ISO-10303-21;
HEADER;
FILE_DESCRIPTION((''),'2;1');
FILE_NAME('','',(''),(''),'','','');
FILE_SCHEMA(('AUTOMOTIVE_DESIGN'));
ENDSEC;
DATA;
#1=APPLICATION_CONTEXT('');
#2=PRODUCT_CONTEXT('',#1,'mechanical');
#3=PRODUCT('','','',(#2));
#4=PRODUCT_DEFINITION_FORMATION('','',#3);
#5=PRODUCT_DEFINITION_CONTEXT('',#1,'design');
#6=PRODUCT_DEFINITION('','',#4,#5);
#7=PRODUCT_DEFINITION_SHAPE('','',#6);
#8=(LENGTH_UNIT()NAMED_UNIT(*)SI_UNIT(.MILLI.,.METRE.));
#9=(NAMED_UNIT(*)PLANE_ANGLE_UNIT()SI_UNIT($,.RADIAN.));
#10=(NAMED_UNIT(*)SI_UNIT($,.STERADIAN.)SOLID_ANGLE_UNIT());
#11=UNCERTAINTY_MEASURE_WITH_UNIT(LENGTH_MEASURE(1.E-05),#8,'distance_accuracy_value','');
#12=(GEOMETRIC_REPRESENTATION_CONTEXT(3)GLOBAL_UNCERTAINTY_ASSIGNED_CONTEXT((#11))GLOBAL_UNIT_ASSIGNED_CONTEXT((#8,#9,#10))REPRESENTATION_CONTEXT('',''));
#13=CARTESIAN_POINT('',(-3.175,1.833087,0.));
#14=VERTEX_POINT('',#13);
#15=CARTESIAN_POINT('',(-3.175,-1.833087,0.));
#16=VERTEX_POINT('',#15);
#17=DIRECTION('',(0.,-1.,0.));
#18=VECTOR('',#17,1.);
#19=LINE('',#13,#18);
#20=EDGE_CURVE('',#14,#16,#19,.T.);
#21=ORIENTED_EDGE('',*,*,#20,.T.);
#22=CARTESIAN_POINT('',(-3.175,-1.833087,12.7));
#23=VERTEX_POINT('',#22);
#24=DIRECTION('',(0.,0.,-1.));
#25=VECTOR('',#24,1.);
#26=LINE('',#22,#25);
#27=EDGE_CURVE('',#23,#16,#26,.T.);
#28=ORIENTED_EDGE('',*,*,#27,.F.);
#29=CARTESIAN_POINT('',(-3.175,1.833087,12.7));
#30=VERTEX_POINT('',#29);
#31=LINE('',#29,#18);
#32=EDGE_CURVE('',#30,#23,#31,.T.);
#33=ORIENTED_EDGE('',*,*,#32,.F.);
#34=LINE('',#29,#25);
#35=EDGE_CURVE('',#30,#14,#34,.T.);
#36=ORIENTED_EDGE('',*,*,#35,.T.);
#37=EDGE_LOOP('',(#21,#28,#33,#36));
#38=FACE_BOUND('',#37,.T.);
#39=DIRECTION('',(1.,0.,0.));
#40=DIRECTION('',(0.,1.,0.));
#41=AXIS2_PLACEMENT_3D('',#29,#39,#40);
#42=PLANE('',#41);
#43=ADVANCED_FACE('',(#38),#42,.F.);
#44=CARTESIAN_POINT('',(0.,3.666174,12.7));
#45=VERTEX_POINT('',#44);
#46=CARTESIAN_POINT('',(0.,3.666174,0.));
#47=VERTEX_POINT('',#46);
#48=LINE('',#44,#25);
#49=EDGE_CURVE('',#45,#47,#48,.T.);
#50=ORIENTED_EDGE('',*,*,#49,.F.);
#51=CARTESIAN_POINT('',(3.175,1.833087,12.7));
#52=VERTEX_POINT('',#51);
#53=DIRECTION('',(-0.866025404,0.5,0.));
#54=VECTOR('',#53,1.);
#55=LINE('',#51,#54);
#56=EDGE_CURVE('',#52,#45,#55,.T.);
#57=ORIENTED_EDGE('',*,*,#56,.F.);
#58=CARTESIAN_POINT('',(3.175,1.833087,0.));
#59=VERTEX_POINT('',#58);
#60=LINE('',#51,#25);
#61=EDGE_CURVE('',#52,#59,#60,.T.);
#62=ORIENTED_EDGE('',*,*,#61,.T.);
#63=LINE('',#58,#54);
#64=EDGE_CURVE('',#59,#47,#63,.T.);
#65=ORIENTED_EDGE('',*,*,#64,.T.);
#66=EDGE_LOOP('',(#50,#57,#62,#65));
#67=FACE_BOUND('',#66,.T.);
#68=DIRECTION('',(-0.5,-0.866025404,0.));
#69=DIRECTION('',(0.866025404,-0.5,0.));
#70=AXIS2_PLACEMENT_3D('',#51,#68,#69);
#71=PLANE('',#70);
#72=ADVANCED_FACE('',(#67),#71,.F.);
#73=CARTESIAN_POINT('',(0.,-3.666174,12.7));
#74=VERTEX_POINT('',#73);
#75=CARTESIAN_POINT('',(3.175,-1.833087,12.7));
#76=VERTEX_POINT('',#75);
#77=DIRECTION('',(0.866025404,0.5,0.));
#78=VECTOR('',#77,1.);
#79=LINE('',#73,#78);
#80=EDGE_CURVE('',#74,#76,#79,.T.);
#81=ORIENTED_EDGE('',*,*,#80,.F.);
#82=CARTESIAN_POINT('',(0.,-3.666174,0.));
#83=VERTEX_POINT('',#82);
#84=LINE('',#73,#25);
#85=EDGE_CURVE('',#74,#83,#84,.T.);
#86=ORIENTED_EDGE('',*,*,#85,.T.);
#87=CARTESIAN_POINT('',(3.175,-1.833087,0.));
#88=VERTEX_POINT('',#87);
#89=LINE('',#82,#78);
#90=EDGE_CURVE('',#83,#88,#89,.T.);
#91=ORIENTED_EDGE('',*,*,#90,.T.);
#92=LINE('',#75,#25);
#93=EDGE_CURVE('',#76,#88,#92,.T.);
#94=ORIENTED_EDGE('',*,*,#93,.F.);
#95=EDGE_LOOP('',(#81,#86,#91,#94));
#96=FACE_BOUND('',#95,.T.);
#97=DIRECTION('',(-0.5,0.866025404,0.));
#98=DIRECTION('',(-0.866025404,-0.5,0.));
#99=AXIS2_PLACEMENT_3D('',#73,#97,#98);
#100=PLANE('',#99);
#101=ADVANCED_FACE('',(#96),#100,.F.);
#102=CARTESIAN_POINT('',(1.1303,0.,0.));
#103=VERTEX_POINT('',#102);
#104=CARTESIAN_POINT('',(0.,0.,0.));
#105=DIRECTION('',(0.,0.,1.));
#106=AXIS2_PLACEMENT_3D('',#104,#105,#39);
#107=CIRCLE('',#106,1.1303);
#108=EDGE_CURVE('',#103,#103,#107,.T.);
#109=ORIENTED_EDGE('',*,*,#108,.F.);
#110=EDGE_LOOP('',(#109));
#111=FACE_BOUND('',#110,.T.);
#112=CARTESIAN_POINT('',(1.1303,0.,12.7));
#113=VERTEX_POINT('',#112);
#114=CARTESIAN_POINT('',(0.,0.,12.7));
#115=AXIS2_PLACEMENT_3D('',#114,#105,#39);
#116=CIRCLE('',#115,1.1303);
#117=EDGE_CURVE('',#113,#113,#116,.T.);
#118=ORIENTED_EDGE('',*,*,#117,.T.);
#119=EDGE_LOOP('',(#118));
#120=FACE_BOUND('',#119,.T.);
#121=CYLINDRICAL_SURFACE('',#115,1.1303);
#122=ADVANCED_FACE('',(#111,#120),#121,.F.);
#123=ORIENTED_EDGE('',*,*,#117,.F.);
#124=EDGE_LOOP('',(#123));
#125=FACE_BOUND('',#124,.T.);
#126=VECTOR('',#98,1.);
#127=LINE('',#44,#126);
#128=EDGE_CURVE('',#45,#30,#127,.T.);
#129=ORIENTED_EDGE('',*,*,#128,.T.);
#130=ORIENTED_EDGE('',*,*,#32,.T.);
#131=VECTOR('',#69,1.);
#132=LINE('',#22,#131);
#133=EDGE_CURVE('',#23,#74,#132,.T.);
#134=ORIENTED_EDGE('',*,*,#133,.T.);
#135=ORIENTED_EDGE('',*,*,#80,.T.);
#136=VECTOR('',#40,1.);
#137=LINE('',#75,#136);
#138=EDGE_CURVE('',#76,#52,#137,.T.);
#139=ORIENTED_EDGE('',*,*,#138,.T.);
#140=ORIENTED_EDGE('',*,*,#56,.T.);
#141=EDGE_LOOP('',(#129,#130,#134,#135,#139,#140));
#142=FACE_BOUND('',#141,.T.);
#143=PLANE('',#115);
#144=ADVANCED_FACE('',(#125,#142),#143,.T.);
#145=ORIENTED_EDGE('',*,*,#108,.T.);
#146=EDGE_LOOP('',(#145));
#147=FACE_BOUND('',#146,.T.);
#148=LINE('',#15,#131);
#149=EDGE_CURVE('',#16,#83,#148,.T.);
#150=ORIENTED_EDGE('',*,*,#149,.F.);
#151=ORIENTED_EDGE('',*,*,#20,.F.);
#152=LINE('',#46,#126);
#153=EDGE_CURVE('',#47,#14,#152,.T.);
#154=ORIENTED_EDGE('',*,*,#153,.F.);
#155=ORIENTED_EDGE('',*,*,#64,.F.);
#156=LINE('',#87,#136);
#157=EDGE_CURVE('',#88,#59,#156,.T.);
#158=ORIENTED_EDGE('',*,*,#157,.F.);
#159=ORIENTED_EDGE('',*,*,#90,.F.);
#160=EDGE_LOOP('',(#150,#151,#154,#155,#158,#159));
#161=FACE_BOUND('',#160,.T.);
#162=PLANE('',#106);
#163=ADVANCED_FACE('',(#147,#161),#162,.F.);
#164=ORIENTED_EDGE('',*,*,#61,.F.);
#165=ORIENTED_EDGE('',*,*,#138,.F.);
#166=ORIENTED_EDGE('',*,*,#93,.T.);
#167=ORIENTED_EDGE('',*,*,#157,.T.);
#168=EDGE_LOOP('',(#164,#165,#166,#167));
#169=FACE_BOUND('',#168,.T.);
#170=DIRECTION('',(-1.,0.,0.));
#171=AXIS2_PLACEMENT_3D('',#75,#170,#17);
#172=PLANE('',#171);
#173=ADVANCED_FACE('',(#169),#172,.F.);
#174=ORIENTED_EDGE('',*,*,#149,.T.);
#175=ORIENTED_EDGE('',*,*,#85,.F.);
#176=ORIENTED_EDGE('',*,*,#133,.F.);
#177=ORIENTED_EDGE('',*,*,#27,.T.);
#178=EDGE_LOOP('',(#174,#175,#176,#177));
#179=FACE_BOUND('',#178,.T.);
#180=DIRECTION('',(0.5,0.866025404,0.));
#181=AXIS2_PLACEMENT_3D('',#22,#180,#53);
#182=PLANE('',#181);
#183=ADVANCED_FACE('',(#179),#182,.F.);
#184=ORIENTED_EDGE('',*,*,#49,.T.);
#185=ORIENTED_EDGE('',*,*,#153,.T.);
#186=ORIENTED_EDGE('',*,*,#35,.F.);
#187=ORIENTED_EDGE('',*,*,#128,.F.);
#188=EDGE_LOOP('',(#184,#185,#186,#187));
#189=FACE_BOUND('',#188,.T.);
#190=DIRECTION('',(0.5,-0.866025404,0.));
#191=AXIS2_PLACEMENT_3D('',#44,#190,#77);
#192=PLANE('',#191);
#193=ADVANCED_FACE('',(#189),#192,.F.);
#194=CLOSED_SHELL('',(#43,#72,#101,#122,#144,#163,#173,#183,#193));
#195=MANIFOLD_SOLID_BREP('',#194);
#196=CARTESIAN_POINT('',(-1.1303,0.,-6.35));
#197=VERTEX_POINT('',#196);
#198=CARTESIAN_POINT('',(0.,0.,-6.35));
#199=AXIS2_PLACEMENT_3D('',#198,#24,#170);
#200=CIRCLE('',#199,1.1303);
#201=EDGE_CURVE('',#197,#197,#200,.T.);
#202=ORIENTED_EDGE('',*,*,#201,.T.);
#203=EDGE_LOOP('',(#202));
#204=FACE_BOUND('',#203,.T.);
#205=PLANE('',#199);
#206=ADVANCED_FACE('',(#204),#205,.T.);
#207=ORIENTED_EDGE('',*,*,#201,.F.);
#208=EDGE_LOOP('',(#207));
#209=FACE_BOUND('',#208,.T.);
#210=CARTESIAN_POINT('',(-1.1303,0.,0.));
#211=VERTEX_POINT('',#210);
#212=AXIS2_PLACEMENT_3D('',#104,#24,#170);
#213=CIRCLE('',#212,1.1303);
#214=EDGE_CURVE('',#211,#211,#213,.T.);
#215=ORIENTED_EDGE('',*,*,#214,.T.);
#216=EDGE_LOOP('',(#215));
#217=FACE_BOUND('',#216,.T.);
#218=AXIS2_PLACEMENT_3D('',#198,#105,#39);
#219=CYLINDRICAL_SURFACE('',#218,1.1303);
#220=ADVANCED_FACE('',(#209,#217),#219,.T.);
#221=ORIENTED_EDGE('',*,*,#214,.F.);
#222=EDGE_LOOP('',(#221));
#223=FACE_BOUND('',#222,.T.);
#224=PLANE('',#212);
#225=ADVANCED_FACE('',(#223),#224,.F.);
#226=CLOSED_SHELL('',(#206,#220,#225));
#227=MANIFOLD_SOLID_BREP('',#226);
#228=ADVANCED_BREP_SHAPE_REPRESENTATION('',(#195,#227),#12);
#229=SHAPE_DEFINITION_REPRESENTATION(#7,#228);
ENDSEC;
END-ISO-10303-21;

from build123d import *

# Parameters (mm, degrees)
BOSS_EXTRUDE1_DEPTH           = 12.7
TAP_DRILL_FOR_4_40_TAP1_D     = 2.2606
TAP_DRILL_FOR_4_40_TAP1_DEPTH = 12.7
TAP_DRILL_FOR_4_40_TAP1_TIP   = 0.679152758
BOSS_EXTRUDE2_START           = 6.35
SKETCH5_R                     = 1.1303
BOSS_EXTRUDE2_DEPTH           = 6.35


with BuildPart() as part:
    # Sketch1 → Boss-Extrude1 (new body)
    with BuildSketch(Plane.XY):
        Polygon((0, 3.666174209), (-3.175, 1.833087105), (-3.175, -1.833087105), (0, -3.666174209), (3.175, -1.833087105), (3.175, 1.833087105), align=None)
    extrude(amount=BOSS_EXTRUDE1_DEPTH)

    # Tap Drill for #4-40 Tap1
    with Locations(Plane.XY.offset(12.7)):
        with Locations((0, 0)):
            Hole(TAP_DRILL_FOR_4_40_TAP1_D / 2, depth=TAP_DRILL_FOR_4_40_TAP1_DEPTH)
            with Locations((0, 0, -(TAP_DRILL_FOR_4_40_TAP1_DEPTH + TAP_DRILL_FOR_4_40_TAP1_TIP / 2))):  # 118° drill point
                Cone(0, TAP_DRILL_FOR_4_40_TAP1_D / 2, TAP_DRILL_FOR_4_40_TAP1_TIP, mode=Mode.SUBTRACT)


with BuildPart() as body_2:
    # Sketch5 → Boss-Extrude2 (new body)
    with BuildSketch(Plane(origin=(0, 0, 0), x_dir=(-1, 0, 0), z_dir=(0, 0, -1)).offset(BOSS_EXTRUDE2_START)):
        Circle(SKETCH5_R)
    extrude(amount=-BOSS_EXTRUDE2_DEPTH)


solid = Compound([part.part, body_2.part])
